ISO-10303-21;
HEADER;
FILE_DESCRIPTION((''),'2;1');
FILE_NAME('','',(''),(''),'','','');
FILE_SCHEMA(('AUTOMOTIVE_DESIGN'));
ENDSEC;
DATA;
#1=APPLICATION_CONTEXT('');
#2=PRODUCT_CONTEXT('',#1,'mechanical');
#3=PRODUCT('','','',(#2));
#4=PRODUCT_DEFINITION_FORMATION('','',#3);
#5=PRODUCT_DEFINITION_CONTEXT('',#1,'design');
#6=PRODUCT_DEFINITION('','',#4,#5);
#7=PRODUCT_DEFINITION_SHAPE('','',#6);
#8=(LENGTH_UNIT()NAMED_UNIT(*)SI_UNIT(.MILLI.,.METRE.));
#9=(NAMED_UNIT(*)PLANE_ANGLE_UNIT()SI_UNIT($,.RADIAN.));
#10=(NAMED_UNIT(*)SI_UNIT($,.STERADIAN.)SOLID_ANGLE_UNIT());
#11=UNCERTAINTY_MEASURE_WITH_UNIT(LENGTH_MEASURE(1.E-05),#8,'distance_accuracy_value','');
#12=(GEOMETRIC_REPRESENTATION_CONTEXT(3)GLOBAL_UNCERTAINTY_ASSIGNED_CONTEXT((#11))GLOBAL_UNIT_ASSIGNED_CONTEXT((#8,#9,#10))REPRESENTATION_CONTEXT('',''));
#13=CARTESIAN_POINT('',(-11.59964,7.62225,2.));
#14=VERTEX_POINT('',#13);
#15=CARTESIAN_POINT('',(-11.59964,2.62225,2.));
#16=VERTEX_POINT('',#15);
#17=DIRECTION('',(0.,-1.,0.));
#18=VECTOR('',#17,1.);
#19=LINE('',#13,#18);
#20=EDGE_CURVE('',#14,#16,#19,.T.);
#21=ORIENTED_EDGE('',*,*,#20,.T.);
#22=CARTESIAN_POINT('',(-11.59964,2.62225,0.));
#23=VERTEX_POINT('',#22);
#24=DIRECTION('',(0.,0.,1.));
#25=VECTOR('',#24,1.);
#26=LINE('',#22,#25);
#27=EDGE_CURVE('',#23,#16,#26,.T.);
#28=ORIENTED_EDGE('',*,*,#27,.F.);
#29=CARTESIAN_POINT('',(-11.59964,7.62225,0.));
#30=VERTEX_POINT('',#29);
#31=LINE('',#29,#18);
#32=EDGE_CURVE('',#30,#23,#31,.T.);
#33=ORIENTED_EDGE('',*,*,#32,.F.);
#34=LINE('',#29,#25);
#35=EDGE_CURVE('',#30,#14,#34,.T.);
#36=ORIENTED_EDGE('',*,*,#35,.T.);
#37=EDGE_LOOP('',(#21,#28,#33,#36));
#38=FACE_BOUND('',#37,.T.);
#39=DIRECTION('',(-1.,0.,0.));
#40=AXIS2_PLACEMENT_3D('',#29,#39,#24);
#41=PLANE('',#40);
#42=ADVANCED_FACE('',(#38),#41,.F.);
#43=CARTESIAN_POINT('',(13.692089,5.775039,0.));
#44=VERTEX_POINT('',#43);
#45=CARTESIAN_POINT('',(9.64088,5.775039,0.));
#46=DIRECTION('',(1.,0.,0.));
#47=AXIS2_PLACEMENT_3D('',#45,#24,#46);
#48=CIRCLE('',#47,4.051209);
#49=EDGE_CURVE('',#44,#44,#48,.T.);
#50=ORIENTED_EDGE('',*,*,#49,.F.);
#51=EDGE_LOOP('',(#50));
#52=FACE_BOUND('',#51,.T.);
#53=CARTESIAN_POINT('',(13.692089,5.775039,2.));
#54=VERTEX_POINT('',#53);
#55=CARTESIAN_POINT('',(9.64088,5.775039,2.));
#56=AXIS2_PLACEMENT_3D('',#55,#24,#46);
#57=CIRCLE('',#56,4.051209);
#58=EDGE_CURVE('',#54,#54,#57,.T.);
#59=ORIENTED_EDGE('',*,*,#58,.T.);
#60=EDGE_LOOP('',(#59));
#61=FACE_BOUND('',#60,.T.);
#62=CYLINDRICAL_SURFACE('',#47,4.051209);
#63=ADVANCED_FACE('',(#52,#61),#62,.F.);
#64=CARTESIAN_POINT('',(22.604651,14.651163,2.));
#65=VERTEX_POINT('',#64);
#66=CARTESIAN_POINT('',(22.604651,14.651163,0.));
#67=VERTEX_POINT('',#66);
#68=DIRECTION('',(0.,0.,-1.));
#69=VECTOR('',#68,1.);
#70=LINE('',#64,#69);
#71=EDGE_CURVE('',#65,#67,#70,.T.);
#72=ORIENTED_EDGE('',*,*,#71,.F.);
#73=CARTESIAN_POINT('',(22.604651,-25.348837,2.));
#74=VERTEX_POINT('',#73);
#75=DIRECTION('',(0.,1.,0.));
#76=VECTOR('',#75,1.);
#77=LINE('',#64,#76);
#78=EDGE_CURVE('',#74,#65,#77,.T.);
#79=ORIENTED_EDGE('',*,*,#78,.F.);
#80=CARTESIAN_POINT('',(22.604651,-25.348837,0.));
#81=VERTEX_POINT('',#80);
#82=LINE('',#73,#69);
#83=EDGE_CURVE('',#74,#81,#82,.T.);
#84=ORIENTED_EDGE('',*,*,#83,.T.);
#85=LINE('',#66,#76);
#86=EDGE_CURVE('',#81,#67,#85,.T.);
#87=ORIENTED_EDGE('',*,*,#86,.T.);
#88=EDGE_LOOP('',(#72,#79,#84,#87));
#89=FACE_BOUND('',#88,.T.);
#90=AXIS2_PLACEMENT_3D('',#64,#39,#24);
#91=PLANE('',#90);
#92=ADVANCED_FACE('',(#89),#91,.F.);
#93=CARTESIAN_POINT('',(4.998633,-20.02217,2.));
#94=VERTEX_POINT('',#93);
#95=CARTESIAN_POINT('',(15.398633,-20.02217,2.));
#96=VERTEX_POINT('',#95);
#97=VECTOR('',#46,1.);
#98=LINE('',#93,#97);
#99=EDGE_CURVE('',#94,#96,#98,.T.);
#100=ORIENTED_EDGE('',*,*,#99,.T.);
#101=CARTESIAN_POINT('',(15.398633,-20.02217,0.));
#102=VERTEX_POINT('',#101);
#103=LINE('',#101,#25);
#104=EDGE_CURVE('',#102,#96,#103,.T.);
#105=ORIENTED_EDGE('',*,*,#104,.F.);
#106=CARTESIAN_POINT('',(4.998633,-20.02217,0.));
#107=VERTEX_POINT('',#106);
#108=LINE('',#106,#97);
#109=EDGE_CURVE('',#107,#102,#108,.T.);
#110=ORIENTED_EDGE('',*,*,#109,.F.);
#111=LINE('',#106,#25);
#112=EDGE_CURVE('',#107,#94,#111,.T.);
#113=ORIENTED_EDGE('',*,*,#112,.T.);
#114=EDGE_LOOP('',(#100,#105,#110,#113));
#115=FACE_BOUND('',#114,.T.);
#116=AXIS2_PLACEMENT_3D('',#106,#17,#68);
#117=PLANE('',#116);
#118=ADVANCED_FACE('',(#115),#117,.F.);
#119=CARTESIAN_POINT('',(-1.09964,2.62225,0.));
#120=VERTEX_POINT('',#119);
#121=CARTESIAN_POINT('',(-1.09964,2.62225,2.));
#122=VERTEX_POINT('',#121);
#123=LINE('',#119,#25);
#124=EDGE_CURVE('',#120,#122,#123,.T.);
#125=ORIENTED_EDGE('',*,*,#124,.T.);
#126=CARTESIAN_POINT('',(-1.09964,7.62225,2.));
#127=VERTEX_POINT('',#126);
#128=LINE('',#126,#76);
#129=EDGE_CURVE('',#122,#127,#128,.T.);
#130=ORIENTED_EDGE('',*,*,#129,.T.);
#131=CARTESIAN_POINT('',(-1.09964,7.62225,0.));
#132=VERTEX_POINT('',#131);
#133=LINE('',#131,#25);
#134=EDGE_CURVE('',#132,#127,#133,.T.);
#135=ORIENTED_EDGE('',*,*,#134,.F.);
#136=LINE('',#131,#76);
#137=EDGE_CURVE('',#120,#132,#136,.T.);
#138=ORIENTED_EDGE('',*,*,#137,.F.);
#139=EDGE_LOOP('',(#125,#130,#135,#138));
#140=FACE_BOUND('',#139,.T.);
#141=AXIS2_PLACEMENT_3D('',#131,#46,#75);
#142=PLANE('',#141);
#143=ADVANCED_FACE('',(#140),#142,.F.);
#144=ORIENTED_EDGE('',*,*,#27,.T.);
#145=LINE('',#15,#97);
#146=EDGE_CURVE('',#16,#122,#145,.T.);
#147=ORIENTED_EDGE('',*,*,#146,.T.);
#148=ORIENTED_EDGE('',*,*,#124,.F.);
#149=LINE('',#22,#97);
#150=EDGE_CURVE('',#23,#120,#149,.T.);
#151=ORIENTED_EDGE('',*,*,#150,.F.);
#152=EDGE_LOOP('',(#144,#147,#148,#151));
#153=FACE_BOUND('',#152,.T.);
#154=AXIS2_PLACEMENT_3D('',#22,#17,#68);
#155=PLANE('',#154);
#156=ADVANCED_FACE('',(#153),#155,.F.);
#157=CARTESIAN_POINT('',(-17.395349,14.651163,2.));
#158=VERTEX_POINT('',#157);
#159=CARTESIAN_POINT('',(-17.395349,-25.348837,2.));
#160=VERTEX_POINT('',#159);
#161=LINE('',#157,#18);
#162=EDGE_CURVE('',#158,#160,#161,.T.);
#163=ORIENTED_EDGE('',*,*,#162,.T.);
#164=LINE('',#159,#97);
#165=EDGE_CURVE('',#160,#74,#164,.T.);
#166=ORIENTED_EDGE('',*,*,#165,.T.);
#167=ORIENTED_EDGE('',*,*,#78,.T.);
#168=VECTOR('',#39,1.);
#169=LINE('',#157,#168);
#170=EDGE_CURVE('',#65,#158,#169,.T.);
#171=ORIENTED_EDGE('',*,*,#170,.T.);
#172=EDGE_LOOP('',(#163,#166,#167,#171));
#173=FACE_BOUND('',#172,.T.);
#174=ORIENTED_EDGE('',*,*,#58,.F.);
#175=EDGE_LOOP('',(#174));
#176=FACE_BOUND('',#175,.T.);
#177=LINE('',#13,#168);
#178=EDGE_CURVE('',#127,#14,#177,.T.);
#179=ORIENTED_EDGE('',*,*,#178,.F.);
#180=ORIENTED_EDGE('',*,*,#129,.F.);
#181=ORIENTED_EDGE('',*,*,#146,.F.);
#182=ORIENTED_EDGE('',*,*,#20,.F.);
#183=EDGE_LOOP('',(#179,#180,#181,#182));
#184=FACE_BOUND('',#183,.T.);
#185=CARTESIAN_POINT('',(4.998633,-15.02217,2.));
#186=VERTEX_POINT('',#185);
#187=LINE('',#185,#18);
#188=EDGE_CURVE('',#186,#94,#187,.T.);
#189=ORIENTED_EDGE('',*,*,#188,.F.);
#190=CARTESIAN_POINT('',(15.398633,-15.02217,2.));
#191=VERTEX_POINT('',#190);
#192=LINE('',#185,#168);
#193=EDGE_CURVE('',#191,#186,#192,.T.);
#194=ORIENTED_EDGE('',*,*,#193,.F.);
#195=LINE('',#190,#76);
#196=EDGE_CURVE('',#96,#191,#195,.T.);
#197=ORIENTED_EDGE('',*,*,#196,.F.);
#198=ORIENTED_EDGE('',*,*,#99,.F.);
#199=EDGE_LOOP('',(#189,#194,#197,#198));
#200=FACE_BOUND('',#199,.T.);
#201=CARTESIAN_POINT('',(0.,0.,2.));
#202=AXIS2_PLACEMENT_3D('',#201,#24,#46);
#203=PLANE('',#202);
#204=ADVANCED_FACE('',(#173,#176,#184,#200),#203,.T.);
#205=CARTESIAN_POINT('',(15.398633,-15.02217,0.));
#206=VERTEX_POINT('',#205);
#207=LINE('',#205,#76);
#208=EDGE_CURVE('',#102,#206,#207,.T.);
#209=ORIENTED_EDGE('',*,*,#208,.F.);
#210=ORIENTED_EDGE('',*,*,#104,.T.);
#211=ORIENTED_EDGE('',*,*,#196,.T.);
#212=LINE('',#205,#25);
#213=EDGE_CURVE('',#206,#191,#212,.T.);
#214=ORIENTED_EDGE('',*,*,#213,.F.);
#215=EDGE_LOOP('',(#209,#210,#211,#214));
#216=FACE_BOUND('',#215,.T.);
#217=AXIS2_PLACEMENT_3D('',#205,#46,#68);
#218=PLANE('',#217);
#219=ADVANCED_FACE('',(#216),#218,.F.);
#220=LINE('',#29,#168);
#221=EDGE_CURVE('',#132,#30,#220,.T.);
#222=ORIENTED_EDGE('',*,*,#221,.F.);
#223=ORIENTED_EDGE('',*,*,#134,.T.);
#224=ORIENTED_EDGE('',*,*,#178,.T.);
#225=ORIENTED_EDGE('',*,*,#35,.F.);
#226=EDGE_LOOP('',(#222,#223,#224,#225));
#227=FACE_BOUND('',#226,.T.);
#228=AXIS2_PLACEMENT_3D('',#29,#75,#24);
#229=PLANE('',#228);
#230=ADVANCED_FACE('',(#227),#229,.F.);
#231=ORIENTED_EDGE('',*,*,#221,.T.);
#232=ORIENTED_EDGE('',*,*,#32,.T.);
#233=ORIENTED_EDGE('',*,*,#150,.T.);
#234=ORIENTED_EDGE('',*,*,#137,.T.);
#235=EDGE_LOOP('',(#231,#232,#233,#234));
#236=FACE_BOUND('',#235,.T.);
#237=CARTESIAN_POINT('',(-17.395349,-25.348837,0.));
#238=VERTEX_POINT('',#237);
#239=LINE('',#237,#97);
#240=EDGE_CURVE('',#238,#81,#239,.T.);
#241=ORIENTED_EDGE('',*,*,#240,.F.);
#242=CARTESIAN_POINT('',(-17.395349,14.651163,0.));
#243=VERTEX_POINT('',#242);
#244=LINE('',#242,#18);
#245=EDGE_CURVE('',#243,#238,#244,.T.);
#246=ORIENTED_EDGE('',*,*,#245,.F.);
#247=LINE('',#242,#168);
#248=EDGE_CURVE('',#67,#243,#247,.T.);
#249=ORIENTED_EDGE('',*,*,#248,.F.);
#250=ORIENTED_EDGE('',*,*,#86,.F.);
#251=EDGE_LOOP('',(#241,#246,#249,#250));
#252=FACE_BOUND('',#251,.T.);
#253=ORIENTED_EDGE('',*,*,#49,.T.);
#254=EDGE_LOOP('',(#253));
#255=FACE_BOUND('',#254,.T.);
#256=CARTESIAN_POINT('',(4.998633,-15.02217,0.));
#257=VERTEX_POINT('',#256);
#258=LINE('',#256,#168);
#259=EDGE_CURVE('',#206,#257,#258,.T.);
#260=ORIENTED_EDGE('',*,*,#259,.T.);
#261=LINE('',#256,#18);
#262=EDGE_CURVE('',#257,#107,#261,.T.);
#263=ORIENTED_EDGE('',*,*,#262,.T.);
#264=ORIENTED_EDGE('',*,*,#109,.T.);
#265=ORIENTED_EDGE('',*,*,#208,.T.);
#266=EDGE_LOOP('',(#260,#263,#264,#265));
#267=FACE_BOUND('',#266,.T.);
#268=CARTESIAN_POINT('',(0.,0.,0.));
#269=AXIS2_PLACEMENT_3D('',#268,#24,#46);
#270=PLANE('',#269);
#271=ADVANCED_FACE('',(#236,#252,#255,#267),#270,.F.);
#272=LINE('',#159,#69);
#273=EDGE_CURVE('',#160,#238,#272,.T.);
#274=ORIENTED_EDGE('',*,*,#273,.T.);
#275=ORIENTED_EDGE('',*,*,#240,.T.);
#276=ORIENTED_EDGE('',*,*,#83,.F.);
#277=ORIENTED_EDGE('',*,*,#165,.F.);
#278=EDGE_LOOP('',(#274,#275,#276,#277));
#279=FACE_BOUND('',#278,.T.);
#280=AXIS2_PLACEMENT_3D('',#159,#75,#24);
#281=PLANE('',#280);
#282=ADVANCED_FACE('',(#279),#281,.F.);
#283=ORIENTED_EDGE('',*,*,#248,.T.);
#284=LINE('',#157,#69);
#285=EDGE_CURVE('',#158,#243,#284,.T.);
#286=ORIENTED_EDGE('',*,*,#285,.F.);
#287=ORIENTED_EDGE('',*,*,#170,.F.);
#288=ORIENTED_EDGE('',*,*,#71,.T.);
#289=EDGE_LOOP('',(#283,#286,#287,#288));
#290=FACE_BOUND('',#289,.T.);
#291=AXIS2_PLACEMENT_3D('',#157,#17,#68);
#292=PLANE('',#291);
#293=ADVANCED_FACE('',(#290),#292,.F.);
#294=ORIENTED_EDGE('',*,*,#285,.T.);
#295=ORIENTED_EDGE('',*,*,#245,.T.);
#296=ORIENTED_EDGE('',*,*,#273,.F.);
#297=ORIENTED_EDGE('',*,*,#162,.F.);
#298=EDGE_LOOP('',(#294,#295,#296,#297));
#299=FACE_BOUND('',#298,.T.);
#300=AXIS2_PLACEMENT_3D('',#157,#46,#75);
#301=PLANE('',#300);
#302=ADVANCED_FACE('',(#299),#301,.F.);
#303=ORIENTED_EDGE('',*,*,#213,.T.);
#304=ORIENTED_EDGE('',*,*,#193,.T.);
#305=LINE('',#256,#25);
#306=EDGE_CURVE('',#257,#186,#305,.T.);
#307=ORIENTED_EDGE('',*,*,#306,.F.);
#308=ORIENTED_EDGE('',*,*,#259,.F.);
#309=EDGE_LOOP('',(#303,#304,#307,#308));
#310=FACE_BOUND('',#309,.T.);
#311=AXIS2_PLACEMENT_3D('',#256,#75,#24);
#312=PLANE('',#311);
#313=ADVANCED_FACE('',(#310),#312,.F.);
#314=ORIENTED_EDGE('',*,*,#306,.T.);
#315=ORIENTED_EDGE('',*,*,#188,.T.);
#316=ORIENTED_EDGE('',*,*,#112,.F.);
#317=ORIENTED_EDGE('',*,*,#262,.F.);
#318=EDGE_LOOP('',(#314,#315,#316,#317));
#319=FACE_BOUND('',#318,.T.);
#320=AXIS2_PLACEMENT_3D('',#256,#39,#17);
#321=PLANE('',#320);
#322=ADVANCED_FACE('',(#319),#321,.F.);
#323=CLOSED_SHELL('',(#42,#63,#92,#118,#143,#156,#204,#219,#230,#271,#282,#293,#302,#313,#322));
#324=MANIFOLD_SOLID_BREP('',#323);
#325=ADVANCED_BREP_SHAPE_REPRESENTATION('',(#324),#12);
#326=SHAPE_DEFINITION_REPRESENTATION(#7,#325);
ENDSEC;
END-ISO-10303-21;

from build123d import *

# Parameters (mm, degrees)
SKETCH1_W           = 40
SKETCH1_H           = 40
BOSS_EXTRUDE1_DEPTH = 2
SKETCH2_R           = 4.051209194
SKETCH2_W           = 10.5
SKETCH2_H           = 5
SKETCH2_W_2         = 10.4
CUT_EXTRUDE1_DEPTH  = 2


with BuildPart() as part:
    # Sketch1 → Boss-Extrude1 (new body)
    with BuildSketch(Plane.XY):
        with Locations((2.604651163, -5.348837209)):
            Rectangle(SKETCH1_W, SKETCH1_H)
    extrude(amount=BOSS_EXTRUDE1_DEPTH)

    # Sketch2 → Cut-Extrude1 (cut)
    with BuildSketch(Plane.XY.offset(2)):
        with Locations((9.640879808, 5.775039394)):
            Circle(SKETCH2_R)
        with Locations((-6.349639686, 5.122249596)):
            Rectangle(SKETCH2_W, SKETCH2_H)
        with Locations((10.198633094, -17.522169699)):
            Rectangle(SKETCH2_W_2, SKETCH2_H)
    extrude(amount=-CUT_EXTRUDE1_DEPTH, mode=Mode.SUBTRACT)


solid = part.part
